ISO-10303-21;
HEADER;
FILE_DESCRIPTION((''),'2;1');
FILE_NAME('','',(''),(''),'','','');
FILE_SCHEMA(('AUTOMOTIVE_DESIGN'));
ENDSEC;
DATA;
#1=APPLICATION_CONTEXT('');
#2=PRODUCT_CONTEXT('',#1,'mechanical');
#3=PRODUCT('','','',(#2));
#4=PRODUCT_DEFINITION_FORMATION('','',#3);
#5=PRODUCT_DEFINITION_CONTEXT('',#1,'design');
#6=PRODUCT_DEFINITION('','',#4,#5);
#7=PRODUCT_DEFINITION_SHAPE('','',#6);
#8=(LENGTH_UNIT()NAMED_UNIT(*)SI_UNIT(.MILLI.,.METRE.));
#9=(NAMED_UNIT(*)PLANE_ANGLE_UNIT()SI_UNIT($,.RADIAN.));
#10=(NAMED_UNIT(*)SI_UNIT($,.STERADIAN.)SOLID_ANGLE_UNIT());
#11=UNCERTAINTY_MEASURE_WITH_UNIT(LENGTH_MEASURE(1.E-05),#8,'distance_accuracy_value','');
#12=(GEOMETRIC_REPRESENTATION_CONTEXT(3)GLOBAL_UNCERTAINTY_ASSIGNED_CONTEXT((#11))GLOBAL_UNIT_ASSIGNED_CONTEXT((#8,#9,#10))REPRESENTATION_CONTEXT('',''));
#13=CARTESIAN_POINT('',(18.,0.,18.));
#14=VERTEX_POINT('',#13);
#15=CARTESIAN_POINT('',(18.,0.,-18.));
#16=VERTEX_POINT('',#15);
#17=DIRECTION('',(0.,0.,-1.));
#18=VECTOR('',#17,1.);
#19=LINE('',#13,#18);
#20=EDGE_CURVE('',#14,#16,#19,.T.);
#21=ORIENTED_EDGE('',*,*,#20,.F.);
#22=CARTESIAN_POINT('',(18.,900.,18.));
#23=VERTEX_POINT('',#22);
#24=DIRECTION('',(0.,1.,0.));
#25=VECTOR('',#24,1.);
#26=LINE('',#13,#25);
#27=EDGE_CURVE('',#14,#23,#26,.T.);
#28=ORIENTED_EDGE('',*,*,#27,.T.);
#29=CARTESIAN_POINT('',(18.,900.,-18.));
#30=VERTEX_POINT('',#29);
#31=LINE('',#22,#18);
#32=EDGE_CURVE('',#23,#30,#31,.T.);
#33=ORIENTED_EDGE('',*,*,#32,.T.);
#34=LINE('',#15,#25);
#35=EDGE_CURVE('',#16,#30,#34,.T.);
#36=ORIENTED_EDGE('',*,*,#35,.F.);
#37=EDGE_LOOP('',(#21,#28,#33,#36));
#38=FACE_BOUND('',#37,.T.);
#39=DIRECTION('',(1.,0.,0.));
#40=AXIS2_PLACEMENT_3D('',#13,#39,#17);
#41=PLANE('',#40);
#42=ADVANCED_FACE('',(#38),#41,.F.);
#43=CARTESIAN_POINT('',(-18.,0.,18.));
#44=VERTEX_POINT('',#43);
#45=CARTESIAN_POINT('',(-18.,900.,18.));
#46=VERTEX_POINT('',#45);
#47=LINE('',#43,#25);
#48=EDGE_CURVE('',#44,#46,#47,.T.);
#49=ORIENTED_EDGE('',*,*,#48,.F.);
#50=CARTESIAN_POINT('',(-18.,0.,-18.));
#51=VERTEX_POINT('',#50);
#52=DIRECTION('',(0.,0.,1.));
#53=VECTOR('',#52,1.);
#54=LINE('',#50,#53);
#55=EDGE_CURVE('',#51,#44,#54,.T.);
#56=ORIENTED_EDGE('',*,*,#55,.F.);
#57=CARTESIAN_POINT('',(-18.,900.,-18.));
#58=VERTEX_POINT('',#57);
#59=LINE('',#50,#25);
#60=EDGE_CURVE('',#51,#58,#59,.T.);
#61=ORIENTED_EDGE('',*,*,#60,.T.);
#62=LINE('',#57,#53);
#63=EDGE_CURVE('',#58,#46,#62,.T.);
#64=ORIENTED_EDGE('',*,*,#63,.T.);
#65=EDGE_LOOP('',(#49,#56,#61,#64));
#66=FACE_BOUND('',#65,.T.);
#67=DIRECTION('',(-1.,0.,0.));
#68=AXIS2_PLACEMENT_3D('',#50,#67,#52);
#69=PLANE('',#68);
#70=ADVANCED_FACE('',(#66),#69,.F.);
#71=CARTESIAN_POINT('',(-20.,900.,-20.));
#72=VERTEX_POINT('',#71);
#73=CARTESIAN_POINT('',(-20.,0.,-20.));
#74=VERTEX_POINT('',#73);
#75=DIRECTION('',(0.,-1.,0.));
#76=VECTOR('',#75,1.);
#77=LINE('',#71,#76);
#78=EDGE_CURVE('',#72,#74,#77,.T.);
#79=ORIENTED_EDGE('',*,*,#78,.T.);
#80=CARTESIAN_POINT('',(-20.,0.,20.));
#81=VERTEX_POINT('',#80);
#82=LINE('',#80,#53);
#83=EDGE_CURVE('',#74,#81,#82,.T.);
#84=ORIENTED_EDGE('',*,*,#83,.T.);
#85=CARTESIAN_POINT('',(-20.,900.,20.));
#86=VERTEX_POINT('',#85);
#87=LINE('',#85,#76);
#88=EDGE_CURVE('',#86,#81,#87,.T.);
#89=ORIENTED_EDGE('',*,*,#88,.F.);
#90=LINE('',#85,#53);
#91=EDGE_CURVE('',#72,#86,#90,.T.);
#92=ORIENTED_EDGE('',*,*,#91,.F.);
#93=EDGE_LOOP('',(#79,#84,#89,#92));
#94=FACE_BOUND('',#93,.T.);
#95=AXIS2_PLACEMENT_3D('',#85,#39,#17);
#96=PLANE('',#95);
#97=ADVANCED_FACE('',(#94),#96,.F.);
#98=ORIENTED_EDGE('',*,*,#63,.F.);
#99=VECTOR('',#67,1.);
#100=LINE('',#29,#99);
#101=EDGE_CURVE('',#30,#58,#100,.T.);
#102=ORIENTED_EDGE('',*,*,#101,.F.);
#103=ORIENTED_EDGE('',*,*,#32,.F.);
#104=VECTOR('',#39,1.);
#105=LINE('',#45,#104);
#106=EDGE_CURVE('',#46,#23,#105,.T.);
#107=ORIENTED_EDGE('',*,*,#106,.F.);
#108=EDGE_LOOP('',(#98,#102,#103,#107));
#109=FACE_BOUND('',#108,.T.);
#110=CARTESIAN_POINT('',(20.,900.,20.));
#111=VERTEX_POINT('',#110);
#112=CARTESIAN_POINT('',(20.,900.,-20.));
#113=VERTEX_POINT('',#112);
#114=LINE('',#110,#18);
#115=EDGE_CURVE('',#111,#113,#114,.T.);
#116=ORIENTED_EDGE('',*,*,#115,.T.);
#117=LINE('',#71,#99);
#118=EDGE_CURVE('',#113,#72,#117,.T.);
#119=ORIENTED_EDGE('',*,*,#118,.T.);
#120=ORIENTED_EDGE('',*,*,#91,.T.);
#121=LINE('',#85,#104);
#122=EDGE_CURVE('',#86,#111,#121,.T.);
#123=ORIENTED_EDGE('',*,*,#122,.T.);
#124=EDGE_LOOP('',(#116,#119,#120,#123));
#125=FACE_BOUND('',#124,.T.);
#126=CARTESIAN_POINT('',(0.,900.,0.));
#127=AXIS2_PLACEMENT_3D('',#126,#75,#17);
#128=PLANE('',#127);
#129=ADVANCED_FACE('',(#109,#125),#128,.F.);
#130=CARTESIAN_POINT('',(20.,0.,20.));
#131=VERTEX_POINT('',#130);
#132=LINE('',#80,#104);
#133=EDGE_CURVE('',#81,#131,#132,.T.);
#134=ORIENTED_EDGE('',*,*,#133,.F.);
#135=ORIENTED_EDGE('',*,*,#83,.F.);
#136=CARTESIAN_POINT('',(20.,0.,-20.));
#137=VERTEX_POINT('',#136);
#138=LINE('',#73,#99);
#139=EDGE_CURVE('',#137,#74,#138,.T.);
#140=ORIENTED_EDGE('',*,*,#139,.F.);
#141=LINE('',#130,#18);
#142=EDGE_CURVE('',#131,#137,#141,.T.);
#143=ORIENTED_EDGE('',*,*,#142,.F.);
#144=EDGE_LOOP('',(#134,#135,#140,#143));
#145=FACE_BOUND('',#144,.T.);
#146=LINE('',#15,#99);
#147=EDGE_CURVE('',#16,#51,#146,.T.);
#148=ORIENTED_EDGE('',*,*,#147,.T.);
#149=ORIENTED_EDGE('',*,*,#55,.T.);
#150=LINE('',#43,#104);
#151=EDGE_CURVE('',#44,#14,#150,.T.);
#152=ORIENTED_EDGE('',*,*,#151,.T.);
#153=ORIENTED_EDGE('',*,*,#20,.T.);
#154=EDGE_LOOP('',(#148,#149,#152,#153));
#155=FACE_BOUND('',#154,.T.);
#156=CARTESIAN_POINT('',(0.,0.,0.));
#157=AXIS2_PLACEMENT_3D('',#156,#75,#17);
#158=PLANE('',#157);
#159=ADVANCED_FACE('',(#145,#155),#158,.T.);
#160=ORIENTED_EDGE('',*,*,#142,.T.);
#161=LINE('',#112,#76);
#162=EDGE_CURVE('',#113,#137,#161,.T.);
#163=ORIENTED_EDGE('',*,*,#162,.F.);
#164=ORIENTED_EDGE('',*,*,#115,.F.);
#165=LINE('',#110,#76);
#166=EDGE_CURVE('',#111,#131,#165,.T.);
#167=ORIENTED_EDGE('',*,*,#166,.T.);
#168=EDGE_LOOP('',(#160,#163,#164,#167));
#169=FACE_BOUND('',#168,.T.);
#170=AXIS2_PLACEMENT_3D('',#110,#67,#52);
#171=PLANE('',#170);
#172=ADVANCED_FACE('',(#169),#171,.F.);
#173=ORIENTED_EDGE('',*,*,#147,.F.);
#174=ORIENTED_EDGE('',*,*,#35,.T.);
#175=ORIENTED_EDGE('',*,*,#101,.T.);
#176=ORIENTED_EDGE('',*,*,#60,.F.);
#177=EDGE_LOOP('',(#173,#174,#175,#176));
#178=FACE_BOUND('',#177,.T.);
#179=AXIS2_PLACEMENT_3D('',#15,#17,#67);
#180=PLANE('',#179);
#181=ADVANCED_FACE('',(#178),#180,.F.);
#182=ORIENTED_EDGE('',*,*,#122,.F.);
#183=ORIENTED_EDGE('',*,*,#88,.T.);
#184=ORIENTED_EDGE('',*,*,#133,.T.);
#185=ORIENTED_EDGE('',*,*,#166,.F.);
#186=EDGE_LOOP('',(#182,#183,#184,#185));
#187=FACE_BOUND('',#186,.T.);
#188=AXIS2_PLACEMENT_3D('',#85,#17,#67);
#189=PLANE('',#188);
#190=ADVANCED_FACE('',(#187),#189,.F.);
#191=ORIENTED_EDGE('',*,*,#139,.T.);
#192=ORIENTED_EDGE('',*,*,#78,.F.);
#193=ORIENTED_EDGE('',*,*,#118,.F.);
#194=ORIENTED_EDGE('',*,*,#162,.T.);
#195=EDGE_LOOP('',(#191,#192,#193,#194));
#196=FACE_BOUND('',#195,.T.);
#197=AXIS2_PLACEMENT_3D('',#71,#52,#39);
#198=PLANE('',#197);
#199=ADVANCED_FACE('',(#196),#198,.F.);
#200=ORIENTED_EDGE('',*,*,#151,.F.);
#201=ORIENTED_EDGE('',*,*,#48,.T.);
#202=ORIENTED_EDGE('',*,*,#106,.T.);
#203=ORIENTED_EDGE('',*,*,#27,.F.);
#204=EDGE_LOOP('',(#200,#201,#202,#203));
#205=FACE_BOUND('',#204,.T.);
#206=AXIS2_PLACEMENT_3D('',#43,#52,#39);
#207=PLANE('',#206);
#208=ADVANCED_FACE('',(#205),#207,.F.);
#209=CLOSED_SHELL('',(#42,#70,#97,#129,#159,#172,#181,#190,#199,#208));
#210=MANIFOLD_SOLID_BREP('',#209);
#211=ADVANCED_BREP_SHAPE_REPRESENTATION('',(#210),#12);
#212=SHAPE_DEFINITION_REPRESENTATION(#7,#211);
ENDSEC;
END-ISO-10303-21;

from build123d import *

# Parameters (mm, degrees)
CROQUIS1_W              = 40
CROQUIS1_H              = 40
SALIENTE_EXTRUIR1_DEPTH = 900
CROQUIS2_W              = 36
CROQUIS2_H              = 36
CORTAR_EXTRUIR1_DEPTH   = 901


with BuildPart() as part:
    # Croquis1 → Saliente-Extruir1 (new body)
    with BuildSketch(Plane(origin=(0, 0, 0), x_dir=(1, 0, 0), z_dir=(0, 1, 0))):
        Rectangle(CROQUIS1_W, CROQUIS1_H)
    extrude(amount=SALIENTE_EXTRUIR1_DEPTH)

    # Croquis2 → Cortar-Extruir1 (cut, through all)
    with BuildSketch(Plane(origin=(0, 900, 0), x_dir=(1, 0, 0), z_dir=(0, 1, 0))):
        Rectangle(CROQUIS2_W, CROQUIS2_H)
    extrude(amount=-CORTAR_EXTRUIR1_DEPTH, mode=Mode.SUBTRACT)


solid = part.part
